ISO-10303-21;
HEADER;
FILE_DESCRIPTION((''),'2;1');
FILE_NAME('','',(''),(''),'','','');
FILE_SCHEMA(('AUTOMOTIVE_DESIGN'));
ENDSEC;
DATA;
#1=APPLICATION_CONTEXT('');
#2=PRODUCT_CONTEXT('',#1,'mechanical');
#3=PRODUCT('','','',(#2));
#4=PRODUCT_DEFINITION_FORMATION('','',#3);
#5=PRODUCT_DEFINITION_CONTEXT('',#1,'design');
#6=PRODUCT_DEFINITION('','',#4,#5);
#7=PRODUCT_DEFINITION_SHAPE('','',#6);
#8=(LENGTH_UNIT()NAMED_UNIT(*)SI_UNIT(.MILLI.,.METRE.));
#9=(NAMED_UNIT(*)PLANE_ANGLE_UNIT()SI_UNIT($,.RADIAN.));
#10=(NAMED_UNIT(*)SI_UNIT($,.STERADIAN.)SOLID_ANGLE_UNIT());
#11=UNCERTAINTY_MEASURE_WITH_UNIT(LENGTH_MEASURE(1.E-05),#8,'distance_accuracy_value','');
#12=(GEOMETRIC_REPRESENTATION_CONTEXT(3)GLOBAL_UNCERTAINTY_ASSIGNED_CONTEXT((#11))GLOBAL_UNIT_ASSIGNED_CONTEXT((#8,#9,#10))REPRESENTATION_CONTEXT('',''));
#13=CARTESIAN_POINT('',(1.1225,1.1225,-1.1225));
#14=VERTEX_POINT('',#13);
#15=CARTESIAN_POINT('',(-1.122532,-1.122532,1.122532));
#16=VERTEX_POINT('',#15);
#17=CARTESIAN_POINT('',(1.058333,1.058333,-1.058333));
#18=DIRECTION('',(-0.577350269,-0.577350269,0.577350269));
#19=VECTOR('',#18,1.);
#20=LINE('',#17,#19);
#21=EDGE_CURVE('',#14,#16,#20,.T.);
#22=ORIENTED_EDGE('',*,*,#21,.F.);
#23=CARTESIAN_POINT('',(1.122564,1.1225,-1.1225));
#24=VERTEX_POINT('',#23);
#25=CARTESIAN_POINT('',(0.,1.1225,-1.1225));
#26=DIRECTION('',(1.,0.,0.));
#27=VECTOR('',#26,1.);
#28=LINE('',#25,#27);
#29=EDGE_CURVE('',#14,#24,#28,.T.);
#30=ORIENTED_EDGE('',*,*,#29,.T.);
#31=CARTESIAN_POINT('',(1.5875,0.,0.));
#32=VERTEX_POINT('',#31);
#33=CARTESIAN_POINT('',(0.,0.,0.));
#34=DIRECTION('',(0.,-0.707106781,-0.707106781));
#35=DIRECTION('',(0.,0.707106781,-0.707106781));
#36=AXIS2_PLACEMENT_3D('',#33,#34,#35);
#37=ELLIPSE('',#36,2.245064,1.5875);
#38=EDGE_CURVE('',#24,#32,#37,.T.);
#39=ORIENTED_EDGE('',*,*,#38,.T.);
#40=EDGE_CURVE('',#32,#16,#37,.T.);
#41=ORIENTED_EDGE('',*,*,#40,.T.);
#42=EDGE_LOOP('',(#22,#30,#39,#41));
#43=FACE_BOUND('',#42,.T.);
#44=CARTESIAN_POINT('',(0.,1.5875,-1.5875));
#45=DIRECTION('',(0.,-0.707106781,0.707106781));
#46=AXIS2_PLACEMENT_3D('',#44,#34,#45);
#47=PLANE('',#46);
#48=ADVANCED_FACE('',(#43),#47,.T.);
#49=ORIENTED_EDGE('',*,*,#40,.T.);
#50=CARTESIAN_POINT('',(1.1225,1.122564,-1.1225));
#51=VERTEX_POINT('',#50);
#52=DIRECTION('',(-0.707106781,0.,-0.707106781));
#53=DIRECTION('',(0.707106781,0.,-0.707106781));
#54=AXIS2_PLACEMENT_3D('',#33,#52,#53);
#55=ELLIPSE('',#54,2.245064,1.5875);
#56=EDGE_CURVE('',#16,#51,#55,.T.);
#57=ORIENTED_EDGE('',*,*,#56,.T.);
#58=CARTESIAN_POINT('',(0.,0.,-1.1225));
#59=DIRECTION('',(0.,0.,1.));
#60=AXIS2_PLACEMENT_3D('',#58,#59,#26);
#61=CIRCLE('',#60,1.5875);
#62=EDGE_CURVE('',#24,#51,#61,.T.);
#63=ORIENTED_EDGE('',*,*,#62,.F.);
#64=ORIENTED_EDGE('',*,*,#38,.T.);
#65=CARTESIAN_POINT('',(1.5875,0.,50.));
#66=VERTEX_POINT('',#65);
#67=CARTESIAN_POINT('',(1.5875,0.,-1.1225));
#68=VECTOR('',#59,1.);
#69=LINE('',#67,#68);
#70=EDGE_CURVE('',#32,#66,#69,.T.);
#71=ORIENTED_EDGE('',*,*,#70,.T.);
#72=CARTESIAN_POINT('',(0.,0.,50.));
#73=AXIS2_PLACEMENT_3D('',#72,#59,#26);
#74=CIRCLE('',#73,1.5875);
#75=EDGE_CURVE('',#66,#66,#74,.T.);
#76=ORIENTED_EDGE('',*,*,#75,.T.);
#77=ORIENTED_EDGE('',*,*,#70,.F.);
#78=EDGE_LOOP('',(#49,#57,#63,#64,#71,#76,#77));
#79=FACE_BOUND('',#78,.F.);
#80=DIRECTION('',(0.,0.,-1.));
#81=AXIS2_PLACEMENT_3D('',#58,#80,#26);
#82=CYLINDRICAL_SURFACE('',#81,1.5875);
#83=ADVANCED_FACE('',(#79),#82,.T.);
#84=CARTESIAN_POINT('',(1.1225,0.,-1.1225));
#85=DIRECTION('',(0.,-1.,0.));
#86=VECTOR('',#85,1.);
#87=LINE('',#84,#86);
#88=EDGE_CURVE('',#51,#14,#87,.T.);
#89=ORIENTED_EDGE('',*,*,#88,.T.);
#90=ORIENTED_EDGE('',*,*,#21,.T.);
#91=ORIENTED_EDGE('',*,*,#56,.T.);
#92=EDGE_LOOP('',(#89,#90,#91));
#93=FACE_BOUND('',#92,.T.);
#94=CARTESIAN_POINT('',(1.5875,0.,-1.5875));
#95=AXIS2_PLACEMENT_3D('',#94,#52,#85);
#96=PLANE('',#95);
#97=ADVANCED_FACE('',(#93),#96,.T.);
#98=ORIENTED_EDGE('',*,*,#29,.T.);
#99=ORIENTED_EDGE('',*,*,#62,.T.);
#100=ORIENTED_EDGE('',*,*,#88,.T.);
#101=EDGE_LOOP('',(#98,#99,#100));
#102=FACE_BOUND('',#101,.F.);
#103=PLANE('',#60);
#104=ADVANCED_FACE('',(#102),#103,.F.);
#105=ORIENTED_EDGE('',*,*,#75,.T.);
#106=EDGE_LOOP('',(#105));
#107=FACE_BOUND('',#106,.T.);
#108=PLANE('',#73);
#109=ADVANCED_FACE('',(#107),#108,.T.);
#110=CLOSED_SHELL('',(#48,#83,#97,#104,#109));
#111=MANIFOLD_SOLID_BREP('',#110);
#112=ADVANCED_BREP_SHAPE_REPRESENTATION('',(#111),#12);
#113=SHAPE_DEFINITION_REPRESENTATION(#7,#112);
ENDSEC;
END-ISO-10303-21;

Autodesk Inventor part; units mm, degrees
ref_plane "Start Plane" through (0, 0, -1.1225) normal (0, 0, 1) x (1, 0, 0)
ref_plane "End Plane" through (0, 0, 50) normal (0, 0, 1) x (1, 0, 0)
sketch "Sketch" plane through (0, 0, 0) normal (0, 0, 1) x (1, 0, 0)
  circle A0 centre (0, 0) radius 1.5875
  dimension "d0" = 3.175
extrude "Body" add sketch "Sketch" along normal up to surface (51.1225 mm away) from surface at -1.1225
sketch "Sketch2" plane through (0, 0, 0) normal (0, 0, 1) x (1, 0, 0)
  line L0 (0, 0) -> (10, 0)
ref_plane "Work Plane3" through (0, 0, 0) normal (0, -1, 0) x (1, 0, 0)
sketch "Sketch3" plane through (0, 0, 0) normal (0, -1, 0) x (1, 0, 0)
  line L0 (-2, -1.1225) -> (12, -1.1225)
  line L1 (-2, 50) -> (12, 50)
  dimension "d7" = 51.1225
ref_plane "Work Plane4" through (1.5875, 0, -1.5875) normal (-0.7071, 0, -0.7071) x (-0.7071, 0, 0.7071)
split "Split1" plane through (1.5875, 0, -1.5875) removes the side toward (-0.7071, 0, -0.7071)
ref_plane "Work Plane5" through (0, 1.5875, -1.5875) normal (0, -0.7071, -0.7071) x (1, 0, 0)
split "Split2" plane through (0, 1.5875, -1.5875) removes the side toward (0, -0.7071, -0.7071)
equation "\"d0\" = Diam"
equation "\"d1\" = G_L"
equation "\"Diam\" = 3.175"
equation "\"G_L\" = d7"
equation "\"G_OFFSET_START\" = 1.12253"
equation "\"G_OFFSET_END\" = 0"
equation "\"d4\" = -G_OFFSET_START"
equation "\"d5\" = G_OFFSET_END + B_L"
equation "\"B_L\" = 50"
properties part number "ANSI/AISC Rolled Steel - 1/8-2,013, RB" material "Steel, Mild"
